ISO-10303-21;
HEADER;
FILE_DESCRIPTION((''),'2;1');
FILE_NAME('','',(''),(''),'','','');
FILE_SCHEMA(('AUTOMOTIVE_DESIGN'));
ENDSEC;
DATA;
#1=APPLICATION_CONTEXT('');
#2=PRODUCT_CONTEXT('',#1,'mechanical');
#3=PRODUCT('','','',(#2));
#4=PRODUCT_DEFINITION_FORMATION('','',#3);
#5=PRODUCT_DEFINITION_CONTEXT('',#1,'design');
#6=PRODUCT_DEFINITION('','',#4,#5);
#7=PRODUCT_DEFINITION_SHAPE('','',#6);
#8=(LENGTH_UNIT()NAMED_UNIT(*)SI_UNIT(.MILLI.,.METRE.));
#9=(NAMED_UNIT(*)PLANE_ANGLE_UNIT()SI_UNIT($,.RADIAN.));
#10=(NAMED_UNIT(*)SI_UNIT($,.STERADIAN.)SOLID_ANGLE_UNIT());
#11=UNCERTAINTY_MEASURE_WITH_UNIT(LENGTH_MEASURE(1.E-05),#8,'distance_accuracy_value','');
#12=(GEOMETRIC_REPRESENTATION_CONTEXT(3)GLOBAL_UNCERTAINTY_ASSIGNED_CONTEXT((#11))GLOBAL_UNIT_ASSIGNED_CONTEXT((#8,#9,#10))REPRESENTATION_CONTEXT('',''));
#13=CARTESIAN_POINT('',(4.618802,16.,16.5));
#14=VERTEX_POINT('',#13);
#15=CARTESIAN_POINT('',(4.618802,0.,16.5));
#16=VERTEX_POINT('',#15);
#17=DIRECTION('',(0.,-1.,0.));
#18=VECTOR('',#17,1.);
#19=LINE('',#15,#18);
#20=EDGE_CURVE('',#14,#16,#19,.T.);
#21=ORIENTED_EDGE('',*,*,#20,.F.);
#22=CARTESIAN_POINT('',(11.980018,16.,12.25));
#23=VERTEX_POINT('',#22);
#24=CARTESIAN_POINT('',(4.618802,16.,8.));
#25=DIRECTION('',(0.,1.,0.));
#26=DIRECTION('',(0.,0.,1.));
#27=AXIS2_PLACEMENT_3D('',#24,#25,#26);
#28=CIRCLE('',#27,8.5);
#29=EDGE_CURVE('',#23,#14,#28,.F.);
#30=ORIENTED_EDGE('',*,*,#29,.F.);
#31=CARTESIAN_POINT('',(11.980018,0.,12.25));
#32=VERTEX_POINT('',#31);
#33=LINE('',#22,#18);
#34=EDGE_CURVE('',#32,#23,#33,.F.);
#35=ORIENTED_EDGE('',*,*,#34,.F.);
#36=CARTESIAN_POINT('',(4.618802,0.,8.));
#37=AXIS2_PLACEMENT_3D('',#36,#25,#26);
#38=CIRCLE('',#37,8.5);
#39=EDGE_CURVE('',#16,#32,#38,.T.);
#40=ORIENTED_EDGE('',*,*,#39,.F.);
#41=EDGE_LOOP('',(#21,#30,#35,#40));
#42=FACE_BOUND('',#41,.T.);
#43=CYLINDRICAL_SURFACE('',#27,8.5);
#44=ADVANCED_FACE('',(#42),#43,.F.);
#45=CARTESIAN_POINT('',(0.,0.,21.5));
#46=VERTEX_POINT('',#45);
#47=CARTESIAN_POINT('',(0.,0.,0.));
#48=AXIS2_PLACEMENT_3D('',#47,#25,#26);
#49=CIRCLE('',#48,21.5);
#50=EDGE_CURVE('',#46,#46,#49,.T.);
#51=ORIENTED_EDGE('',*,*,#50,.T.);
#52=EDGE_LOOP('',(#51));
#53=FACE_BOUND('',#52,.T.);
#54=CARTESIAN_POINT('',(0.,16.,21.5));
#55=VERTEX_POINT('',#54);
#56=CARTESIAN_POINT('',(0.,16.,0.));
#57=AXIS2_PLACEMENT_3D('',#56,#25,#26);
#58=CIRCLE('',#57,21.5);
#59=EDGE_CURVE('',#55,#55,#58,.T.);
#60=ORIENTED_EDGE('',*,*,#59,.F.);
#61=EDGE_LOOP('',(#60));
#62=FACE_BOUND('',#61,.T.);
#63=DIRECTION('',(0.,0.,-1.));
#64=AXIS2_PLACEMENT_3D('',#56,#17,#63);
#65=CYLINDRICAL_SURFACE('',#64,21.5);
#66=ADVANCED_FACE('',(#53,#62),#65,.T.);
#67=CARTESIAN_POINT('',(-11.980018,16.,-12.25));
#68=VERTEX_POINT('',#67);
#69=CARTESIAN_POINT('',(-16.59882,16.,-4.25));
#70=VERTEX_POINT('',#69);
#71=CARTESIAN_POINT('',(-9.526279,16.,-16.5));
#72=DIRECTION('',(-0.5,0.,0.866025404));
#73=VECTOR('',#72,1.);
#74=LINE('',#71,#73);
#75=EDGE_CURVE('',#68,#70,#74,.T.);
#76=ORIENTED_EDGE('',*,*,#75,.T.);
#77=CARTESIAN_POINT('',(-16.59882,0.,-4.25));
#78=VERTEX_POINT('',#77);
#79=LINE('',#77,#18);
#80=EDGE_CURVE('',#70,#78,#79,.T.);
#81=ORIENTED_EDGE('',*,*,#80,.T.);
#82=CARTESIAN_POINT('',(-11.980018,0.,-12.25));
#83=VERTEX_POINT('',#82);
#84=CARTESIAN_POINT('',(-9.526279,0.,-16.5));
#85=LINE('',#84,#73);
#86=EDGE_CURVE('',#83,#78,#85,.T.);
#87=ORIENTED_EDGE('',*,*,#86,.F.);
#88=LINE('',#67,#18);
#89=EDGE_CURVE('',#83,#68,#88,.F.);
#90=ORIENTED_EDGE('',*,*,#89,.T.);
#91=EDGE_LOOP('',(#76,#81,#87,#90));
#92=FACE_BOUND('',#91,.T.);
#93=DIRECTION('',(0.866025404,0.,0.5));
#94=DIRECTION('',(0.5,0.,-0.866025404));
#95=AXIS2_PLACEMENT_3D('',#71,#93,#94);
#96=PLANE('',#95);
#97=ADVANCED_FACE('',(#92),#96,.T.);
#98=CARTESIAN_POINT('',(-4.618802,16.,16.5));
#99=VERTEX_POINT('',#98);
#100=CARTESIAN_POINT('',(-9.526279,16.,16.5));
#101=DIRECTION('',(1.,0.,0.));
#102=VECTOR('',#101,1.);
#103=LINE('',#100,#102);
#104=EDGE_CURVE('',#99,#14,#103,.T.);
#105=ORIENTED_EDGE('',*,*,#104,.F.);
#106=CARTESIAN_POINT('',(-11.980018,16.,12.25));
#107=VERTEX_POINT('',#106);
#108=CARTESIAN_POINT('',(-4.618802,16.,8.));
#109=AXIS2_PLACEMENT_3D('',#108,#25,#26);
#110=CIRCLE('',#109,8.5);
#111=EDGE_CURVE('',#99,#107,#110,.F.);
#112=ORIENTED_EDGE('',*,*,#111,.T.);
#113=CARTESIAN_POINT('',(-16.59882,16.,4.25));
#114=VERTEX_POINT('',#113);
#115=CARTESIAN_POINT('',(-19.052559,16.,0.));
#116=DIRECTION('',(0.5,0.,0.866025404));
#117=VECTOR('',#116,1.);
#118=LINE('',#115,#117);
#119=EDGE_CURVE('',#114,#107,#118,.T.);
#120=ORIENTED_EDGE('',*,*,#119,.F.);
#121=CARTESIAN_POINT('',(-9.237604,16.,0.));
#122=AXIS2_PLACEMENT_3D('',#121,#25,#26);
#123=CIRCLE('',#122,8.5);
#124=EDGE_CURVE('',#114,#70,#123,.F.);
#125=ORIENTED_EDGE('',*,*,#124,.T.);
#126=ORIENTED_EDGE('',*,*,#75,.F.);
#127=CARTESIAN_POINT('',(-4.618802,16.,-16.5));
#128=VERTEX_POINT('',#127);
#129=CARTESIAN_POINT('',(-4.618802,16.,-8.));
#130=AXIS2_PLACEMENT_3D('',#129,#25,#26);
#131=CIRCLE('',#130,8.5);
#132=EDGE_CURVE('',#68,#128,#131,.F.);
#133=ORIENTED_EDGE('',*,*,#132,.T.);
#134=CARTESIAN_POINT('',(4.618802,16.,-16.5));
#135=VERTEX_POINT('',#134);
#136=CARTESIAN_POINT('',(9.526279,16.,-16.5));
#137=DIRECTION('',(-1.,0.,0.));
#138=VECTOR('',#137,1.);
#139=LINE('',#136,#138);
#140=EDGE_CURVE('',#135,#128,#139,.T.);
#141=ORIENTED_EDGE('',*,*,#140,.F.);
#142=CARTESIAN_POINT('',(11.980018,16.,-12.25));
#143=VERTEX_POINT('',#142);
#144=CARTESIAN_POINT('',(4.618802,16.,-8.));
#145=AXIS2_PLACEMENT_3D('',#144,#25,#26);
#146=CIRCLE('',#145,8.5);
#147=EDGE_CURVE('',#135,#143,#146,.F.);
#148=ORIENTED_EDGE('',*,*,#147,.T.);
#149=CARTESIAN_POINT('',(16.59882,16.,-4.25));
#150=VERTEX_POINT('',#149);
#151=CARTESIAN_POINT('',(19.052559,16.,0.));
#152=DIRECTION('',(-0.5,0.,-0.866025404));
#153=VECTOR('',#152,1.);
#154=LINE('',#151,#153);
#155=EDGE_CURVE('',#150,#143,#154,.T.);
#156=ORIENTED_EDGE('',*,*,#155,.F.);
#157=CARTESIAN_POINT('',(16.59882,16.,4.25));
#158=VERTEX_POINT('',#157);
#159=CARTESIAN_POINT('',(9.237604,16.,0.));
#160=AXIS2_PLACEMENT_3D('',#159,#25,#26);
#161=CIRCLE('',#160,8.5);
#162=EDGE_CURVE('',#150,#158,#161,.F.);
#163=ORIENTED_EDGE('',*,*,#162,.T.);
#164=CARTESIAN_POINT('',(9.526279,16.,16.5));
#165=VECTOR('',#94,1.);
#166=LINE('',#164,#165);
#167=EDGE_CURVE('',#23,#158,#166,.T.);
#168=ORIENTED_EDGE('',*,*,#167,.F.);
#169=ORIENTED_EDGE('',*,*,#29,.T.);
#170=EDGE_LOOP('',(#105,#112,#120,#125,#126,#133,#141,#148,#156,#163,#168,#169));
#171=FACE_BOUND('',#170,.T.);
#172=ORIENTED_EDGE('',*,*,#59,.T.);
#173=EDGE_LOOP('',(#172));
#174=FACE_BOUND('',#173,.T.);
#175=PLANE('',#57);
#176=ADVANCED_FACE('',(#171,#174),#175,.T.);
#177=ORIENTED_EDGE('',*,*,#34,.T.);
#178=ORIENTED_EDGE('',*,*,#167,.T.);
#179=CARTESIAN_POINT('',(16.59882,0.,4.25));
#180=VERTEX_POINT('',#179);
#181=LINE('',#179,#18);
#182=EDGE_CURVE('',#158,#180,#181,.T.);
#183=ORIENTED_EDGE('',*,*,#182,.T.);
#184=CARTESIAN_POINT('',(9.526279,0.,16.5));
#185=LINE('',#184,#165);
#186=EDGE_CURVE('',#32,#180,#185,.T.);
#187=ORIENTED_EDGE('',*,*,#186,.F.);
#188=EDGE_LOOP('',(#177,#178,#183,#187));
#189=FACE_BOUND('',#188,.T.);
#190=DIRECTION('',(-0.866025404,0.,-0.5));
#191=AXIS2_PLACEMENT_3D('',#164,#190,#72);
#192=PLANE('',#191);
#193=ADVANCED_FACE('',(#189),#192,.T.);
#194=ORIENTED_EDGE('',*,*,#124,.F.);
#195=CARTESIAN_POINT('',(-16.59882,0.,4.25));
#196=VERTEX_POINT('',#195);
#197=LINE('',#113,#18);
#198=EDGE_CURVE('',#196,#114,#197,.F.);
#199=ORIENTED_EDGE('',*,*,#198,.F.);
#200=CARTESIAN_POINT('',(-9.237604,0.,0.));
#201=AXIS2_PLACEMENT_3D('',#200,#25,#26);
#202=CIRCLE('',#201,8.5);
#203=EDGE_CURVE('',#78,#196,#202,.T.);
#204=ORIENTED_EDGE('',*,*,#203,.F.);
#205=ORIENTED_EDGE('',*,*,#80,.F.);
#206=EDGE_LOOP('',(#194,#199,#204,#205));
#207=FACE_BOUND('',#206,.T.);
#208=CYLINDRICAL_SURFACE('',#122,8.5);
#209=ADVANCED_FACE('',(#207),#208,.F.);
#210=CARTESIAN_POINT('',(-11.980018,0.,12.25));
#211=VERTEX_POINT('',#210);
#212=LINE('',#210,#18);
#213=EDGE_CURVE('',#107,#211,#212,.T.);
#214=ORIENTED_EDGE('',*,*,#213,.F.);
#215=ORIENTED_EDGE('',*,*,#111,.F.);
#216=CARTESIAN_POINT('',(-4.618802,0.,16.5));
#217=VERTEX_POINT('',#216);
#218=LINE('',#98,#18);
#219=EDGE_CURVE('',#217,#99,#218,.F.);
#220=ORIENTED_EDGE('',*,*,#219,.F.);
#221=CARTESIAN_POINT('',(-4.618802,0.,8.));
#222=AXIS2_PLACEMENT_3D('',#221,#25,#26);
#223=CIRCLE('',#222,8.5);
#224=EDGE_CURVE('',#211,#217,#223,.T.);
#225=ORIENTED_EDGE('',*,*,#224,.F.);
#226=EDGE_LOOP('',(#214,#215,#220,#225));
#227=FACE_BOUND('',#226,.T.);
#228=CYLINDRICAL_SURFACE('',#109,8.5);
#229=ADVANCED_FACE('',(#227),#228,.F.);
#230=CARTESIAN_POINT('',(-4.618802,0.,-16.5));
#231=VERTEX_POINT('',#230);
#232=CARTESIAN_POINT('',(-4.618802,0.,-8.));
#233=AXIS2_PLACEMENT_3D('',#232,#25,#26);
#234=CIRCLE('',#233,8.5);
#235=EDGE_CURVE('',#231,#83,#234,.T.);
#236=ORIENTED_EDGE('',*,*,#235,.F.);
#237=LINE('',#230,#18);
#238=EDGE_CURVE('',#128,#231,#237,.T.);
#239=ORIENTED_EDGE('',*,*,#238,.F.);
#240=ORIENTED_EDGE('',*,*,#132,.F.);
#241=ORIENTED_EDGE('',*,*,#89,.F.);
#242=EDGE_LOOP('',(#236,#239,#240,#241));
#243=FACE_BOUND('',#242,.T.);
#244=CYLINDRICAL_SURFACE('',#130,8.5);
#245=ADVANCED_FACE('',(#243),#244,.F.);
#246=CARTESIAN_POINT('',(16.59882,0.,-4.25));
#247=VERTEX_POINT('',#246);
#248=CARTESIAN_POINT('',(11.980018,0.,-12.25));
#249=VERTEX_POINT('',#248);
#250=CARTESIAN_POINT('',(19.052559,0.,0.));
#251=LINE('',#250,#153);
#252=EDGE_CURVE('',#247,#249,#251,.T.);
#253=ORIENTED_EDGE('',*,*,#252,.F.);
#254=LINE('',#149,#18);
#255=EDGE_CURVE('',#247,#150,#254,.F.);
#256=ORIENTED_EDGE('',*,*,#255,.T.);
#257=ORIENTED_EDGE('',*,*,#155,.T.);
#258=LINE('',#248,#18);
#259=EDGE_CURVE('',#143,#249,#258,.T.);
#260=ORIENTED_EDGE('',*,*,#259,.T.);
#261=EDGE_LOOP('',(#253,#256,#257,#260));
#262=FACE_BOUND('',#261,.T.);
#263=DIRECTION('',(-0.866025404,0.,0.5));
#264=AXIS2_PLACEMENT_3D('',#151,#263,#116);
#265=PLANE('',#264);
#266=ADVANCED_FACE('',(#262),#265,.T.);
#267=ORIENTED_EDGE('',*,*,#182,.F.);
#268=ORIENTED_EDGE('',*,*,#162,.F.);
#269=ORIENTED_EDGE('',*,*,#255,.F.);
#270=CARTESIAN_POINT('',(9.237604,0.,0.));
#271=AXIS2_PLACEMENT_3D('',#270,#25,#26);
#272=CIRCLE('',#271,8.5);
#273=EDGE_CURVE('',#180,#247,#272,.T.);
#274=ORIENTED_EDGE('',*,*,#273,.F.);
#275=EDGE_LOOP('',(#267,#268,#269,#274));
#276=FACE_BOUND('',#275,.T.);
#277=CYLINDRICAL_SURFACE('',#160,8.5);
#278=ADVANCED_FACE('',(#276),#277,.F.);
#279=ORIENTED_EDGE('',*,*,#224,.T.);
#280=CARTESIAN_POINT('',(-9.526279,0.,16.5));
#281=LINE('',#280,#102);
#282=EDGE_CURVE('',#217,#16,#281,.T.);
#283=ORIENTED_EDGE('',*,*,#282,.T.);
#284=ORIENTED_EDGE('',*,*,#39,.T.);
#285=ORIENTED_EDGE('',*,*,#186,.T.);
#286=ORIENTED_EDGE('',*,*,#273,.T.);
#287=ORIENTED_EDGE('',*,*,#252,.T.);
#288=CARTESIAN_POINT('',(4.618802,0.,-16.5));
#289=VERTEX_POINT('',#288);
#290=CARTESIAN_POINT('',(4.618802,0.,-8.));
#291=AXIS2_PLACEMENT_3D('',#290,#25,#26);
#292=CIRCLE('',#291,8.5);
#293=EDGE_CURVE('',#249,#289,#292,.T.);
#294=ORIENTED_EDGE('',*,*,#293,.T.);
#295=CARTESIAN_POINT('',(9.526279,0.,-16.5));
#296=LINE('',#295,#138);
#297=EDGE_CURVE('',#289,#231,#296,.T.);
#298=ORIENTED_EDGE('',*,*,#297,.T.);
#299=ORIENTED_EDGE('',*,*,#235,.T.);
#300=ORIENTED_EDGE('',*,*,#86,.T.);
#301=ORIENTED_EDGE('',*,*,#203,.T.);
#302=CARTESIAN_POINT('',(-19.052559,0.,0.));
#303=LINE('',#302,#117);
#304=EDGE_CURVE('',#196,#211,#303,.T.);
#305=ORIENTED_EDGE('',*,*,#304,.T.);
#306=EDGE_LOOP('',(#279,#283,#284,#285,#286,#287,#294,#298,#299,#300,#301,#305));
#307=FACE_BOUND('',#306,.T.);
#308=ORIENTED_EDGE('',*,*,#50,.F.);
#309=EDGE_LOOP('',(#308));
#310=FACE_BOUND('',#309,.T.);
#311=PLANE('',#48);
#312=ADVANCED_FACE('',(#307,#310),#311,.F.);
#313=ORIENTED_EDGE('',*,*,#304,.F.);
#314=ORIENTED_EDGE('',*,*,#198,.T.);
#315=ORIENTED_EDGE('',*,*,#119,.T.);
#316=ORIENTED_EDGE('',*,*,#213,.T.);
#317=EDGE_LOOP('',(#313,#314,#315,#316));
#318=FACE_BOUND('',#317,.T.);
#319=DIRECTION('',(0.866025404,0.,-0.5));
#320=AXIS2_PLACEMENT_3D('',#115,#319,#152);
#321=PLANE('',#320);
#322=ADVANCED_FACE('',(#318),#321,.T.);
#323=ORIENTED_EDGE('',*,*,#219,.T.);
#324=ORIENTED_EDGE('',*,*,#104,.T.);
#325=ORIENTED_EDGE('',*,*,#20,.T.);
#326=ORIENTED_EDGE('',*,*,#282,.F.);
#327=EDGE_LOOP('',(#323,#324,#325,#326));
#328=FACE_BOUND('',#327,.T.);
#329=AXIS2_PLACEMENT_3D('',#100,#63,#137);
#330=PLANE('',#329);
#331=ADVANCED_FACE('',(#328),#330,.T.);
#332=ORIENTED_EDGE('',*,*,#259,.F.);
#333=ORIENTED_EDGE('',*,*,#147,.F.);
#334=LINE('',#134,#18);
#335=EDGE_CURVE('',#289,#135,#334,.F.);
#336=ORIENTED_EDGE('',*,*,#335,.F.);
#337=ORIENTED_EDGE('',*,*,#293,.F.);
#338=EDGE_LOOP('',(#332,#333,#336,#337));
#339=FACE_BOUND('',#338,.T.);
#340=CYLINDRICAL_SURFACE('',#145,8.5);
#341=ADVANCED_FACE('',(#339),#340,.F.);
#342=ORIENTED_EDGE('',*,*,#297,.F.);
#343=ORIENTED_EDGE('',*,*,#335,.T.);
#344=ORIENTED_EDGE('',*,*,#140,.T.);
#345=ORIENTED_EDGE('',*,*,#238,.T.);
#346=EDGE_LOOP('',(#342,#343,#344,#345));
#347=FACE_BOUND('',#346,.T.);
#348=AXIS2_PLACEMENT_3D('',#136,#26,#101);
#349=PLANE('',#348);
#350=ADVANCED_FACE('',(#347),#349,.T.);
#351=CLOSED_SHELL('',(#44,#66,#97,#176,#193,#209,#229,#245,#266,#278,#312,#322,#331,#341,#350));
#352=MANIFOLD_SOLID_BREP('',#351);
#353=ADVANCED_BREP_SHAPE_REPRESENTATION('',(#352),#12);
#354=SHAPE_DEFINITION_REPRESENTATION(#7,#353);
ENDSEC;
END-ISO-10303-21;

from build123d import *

# Parameters (mm, degrees)
SKETCH_1_R      = 21.5
EXTRUDE_1_DEPTH = 16
FILLET_1_R      = 8.5


with BuildPart() as part:
    # 草图1 → 凸台-拉伸1 (new body)
    with BuildSketch(Plane(origin=(0, 0, 0), x_dir=(1, 0, 0), z_dir=(0, 1, 0))):
        with Locations(Location((0, 0, 0), (0, 0, 270))):
            Circle(SKETCH_1_R)
        Polygon((9.526279442, -16.5), (19.052558883, 0), (9.526279442, 16.5), (-9.526279442, 16.5), (-19.052558883, 0), (-9.526279442, -16.5), align=None, mode=Mode.SUBTRACT)
    extrude(amount=EXTRUDE_1_DEPTH)

    # 圆角1
    fillet_1_edges = [part.edges().sort_by_distance(p)[0] for p in [
        (9.526279442, 8, 16.5),
        (19.052558883, 8, 0),
        (9.526279442, 8, -16.5),
        (-9.526279442, 8, -16.5),
        (-19.052558883, 8, 0),
        (-9.526279442, 8, 16.5),
    ]]
    fillet(fillet_1_edges, radius=FILLET_1_R)


solid = part.part
